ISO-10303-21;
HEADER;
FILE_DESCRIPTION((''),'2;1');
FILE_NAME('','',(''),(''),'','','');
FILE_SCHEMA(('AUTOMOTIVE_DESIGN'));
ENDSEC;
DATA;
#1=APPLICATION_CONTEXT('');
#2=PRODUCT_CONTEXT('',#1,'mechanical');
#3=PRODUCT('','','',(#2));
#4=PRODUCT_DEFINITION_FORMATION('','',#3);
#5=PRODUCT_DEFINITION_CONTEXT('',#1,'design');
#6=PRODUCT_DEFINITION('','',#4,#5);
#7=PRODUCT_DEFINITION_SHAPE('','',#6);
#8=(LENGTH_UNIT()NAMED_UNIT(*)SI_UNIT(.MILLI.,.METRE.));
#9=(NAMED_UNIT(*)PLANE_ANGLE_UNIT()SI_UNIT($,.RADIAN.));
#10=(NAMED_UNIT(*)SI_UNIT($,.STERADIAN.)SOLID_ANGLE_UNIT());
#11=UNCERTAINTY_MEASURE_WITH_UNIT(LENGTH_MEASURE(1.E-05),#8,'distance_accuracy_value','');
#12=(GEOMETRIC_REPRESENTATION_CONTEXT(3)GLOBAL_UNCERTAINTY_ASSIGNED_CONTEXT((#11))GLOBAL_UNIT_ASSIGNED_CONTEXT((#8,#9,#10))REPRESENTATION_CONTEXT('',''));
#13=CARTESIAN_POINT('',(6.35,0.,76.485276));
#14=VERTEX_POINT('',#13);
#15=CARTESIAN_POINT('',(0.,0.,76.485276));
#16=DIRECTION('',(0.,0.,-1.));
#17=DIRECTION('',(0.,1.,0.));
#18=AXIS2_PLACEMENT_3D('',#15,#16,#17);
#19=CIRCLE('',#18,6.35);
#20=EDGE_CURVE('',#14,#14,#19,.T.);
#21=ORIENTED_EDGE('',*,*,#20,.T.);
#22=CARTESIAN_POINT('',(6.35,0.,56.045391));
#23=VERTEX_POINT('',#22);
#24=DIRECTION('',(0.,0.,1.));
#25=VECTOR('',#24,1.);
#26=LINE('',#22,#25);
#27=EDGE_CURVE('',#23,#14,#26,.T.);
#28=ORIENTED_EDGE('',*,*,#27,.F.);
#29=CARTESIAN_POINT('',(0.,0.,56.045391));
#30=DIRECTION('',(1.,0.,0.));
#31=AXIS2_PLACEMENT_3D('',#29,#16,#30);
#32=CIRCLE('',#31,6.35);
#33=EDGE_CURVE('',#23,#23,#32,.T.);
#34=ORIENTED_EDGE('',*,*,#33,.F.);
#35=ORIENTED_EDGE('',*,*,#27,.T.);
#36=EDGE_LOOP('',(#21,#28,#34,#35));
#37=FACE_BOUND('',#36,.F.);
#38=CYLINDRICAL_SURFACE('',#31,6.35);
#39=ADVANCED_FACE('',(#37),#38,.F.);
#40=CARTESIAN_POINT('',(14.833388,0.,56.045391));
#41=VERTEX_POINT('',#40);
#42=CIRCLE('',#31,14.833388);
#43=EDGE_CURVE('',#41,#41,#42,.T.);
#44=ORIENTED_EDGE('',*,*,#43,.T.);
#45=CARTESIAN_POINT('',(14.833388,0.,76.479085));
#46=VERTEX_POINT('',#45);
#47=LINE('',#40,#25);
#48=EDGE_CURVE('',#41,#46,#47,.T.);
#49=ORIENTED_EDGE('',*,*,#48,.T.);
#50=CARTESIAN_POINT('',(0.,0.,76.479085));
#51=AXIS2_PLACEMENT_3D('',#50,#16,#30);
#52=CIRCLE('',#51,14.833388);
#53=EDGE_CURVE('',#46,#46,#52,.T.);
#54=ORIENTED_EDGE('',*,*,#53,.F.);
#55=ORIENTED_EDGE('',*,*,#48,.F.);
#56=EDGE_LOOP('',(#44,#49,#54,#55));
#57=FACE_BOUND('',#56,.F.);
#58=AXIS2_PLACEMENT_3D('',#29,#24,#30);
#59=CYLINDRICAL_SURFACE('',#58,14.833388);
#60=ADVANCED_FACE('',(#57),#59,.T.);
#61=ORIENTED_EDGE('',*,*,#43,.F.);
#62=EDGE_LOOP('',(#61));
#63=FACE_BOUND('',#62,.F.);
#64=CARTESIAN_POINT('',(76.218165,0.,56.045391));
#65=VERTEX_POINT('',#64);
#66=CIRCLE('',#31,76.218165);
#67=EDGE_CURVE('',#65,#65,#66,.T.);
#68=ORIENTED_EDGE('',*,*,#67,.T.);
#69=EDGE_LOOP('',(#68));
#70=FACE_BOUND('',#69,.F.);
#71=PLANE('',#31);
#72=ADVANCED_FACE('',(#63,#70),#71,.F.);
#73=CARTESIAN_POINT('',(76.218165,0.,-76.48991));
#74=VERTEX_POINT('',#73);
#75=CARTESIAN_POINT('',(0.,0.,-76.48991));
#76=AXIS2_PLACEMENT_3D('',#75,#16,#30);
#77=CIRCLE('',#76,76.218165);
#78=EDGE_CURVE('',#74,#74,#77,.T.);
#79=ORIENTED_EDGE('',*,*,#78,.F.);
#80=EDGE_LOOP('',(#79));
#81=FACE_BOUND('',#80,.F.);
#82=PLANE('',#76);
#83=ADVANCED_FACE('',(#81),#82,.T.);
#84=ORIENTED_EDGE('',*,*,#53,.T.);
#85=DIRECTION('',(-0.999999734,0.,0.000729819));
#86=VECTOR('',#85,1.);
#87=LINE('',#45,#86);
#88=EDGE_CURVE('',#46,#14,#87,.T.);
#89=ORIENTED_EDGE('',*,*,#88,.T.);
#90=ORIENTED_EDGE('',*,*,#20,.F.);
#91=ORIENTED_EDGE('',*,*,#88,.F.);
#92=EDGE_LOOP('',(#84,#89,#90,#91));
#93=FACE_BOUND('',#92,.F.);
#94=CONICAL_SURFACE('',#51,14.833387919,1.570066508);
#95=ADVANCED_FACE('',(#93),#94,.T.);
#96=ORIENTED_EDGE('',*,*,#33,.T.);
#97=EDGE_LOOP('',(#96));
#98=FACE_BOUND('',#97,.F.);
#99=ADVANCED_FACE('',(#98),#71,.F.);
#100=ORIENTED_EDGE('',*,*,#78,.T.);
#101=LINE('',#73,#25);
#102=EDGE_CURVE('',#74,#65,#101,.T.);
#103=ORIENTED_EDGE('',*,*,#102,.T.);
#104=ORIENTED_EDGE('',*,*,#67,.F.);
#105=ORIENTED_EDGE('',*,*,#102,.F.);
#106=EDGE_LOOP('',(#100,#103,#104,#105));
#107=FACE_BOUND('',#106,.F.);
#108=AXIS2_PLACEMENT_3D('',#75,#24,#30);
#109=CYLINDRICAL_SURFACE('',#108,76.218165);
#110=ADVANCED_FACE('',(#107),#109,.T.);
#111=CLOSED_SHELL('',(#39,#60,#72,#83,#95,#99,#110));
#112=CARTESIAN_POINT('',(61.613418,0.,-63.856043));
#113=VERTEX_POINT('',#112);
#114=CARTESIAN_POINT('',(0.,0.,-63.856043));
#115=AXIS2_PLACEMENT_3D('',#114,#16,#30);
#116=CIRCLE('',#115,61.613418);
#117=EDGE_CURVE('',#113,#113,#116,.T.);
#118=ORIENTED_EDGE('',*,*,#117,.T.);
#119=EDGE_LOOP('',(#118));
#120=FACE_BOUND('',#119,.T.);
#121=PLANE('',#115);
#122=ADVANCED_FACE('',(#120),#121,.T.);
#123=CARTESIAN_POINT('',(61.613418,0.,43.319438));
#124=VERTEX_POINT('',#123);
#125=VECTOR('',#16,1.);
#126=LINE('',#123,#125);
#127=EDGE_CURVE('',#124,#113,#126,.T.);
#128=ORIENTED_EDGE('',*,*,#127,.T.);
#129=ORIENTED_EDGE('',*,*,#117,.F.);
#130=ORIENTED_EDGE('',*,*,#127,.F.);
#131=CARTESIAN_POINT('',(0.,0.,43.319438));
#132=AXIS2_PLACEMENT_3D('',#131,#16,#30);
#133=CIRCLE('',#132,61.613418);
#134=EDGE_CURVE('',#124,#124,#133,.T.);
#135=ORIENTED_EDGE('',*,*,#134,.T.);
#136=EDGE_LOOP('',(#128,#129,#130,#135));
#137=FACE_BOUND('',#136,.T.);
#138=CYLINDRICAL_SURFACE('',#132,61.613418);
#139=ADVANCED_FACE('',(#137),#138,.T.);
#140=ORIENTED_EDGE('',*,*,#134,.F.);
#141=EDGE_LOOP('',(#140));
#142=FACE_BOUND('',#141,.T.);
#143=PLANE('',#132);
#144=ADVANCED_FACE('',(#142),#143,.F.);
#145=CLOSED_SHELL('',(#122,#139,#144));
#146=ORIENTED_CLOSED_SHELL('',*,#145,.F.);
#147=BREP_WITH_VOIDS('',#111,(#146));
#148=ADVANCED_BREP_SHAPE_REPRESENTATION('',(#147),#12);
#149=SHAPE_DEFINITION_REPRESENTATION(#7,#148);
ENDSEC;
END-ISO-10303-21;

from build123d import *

# Parameters (mm, degrees)
F3_D     = 12.7
F3_DEPTH = 101.6
F3_TIP   = 3.8154649308


with BuildPart() as f1:
    # F0 (on Front) → F1 (revolve)
    with BuildSketch(Plane.XZ):
        Polygon((14.8333879188, 76.4790847898), (0, 76.4899104834), (0, 43.3194376528), (61.6134181619, 43.3194376528), (61.6134181619, -63.8560429215), (0, -63.8560429215), (0, -76.4899104834), (76.2181654572, -76.4899104834), (76.2181654572, 56.0453906655), (14.8333879188, 56.0453906655), align=None)
    revolve(axis=Axis((0, 0, 0), (0, 0, -1)))

    # F3 (one way)
    with BuildSketch(Plane(origin=(0, 0, 56.0453906655), x_dir=(1, 0, 0), z_dir=(0, 0, -1))):
        with Locations((0, 0)):
            Circle(F3_D / 2)
    extrude(amount=-F3_DEPTH, mode=Mode.SUBTRACT)
    with Locations(Plane(origin=(0, 0, 56.0453906655), x_dir=(1, 0, 0), z_dir=(0, 0, -1))):
        with Locations((0, 0)):
            with Locations((0, 0, -(F3_DEPTH + F3_TIP / 2))):  # 118° drill point
                Cone(0, F3_D / 2, F3_TIP, mode=Mode.SUBTRACT)


solid = f1.part
